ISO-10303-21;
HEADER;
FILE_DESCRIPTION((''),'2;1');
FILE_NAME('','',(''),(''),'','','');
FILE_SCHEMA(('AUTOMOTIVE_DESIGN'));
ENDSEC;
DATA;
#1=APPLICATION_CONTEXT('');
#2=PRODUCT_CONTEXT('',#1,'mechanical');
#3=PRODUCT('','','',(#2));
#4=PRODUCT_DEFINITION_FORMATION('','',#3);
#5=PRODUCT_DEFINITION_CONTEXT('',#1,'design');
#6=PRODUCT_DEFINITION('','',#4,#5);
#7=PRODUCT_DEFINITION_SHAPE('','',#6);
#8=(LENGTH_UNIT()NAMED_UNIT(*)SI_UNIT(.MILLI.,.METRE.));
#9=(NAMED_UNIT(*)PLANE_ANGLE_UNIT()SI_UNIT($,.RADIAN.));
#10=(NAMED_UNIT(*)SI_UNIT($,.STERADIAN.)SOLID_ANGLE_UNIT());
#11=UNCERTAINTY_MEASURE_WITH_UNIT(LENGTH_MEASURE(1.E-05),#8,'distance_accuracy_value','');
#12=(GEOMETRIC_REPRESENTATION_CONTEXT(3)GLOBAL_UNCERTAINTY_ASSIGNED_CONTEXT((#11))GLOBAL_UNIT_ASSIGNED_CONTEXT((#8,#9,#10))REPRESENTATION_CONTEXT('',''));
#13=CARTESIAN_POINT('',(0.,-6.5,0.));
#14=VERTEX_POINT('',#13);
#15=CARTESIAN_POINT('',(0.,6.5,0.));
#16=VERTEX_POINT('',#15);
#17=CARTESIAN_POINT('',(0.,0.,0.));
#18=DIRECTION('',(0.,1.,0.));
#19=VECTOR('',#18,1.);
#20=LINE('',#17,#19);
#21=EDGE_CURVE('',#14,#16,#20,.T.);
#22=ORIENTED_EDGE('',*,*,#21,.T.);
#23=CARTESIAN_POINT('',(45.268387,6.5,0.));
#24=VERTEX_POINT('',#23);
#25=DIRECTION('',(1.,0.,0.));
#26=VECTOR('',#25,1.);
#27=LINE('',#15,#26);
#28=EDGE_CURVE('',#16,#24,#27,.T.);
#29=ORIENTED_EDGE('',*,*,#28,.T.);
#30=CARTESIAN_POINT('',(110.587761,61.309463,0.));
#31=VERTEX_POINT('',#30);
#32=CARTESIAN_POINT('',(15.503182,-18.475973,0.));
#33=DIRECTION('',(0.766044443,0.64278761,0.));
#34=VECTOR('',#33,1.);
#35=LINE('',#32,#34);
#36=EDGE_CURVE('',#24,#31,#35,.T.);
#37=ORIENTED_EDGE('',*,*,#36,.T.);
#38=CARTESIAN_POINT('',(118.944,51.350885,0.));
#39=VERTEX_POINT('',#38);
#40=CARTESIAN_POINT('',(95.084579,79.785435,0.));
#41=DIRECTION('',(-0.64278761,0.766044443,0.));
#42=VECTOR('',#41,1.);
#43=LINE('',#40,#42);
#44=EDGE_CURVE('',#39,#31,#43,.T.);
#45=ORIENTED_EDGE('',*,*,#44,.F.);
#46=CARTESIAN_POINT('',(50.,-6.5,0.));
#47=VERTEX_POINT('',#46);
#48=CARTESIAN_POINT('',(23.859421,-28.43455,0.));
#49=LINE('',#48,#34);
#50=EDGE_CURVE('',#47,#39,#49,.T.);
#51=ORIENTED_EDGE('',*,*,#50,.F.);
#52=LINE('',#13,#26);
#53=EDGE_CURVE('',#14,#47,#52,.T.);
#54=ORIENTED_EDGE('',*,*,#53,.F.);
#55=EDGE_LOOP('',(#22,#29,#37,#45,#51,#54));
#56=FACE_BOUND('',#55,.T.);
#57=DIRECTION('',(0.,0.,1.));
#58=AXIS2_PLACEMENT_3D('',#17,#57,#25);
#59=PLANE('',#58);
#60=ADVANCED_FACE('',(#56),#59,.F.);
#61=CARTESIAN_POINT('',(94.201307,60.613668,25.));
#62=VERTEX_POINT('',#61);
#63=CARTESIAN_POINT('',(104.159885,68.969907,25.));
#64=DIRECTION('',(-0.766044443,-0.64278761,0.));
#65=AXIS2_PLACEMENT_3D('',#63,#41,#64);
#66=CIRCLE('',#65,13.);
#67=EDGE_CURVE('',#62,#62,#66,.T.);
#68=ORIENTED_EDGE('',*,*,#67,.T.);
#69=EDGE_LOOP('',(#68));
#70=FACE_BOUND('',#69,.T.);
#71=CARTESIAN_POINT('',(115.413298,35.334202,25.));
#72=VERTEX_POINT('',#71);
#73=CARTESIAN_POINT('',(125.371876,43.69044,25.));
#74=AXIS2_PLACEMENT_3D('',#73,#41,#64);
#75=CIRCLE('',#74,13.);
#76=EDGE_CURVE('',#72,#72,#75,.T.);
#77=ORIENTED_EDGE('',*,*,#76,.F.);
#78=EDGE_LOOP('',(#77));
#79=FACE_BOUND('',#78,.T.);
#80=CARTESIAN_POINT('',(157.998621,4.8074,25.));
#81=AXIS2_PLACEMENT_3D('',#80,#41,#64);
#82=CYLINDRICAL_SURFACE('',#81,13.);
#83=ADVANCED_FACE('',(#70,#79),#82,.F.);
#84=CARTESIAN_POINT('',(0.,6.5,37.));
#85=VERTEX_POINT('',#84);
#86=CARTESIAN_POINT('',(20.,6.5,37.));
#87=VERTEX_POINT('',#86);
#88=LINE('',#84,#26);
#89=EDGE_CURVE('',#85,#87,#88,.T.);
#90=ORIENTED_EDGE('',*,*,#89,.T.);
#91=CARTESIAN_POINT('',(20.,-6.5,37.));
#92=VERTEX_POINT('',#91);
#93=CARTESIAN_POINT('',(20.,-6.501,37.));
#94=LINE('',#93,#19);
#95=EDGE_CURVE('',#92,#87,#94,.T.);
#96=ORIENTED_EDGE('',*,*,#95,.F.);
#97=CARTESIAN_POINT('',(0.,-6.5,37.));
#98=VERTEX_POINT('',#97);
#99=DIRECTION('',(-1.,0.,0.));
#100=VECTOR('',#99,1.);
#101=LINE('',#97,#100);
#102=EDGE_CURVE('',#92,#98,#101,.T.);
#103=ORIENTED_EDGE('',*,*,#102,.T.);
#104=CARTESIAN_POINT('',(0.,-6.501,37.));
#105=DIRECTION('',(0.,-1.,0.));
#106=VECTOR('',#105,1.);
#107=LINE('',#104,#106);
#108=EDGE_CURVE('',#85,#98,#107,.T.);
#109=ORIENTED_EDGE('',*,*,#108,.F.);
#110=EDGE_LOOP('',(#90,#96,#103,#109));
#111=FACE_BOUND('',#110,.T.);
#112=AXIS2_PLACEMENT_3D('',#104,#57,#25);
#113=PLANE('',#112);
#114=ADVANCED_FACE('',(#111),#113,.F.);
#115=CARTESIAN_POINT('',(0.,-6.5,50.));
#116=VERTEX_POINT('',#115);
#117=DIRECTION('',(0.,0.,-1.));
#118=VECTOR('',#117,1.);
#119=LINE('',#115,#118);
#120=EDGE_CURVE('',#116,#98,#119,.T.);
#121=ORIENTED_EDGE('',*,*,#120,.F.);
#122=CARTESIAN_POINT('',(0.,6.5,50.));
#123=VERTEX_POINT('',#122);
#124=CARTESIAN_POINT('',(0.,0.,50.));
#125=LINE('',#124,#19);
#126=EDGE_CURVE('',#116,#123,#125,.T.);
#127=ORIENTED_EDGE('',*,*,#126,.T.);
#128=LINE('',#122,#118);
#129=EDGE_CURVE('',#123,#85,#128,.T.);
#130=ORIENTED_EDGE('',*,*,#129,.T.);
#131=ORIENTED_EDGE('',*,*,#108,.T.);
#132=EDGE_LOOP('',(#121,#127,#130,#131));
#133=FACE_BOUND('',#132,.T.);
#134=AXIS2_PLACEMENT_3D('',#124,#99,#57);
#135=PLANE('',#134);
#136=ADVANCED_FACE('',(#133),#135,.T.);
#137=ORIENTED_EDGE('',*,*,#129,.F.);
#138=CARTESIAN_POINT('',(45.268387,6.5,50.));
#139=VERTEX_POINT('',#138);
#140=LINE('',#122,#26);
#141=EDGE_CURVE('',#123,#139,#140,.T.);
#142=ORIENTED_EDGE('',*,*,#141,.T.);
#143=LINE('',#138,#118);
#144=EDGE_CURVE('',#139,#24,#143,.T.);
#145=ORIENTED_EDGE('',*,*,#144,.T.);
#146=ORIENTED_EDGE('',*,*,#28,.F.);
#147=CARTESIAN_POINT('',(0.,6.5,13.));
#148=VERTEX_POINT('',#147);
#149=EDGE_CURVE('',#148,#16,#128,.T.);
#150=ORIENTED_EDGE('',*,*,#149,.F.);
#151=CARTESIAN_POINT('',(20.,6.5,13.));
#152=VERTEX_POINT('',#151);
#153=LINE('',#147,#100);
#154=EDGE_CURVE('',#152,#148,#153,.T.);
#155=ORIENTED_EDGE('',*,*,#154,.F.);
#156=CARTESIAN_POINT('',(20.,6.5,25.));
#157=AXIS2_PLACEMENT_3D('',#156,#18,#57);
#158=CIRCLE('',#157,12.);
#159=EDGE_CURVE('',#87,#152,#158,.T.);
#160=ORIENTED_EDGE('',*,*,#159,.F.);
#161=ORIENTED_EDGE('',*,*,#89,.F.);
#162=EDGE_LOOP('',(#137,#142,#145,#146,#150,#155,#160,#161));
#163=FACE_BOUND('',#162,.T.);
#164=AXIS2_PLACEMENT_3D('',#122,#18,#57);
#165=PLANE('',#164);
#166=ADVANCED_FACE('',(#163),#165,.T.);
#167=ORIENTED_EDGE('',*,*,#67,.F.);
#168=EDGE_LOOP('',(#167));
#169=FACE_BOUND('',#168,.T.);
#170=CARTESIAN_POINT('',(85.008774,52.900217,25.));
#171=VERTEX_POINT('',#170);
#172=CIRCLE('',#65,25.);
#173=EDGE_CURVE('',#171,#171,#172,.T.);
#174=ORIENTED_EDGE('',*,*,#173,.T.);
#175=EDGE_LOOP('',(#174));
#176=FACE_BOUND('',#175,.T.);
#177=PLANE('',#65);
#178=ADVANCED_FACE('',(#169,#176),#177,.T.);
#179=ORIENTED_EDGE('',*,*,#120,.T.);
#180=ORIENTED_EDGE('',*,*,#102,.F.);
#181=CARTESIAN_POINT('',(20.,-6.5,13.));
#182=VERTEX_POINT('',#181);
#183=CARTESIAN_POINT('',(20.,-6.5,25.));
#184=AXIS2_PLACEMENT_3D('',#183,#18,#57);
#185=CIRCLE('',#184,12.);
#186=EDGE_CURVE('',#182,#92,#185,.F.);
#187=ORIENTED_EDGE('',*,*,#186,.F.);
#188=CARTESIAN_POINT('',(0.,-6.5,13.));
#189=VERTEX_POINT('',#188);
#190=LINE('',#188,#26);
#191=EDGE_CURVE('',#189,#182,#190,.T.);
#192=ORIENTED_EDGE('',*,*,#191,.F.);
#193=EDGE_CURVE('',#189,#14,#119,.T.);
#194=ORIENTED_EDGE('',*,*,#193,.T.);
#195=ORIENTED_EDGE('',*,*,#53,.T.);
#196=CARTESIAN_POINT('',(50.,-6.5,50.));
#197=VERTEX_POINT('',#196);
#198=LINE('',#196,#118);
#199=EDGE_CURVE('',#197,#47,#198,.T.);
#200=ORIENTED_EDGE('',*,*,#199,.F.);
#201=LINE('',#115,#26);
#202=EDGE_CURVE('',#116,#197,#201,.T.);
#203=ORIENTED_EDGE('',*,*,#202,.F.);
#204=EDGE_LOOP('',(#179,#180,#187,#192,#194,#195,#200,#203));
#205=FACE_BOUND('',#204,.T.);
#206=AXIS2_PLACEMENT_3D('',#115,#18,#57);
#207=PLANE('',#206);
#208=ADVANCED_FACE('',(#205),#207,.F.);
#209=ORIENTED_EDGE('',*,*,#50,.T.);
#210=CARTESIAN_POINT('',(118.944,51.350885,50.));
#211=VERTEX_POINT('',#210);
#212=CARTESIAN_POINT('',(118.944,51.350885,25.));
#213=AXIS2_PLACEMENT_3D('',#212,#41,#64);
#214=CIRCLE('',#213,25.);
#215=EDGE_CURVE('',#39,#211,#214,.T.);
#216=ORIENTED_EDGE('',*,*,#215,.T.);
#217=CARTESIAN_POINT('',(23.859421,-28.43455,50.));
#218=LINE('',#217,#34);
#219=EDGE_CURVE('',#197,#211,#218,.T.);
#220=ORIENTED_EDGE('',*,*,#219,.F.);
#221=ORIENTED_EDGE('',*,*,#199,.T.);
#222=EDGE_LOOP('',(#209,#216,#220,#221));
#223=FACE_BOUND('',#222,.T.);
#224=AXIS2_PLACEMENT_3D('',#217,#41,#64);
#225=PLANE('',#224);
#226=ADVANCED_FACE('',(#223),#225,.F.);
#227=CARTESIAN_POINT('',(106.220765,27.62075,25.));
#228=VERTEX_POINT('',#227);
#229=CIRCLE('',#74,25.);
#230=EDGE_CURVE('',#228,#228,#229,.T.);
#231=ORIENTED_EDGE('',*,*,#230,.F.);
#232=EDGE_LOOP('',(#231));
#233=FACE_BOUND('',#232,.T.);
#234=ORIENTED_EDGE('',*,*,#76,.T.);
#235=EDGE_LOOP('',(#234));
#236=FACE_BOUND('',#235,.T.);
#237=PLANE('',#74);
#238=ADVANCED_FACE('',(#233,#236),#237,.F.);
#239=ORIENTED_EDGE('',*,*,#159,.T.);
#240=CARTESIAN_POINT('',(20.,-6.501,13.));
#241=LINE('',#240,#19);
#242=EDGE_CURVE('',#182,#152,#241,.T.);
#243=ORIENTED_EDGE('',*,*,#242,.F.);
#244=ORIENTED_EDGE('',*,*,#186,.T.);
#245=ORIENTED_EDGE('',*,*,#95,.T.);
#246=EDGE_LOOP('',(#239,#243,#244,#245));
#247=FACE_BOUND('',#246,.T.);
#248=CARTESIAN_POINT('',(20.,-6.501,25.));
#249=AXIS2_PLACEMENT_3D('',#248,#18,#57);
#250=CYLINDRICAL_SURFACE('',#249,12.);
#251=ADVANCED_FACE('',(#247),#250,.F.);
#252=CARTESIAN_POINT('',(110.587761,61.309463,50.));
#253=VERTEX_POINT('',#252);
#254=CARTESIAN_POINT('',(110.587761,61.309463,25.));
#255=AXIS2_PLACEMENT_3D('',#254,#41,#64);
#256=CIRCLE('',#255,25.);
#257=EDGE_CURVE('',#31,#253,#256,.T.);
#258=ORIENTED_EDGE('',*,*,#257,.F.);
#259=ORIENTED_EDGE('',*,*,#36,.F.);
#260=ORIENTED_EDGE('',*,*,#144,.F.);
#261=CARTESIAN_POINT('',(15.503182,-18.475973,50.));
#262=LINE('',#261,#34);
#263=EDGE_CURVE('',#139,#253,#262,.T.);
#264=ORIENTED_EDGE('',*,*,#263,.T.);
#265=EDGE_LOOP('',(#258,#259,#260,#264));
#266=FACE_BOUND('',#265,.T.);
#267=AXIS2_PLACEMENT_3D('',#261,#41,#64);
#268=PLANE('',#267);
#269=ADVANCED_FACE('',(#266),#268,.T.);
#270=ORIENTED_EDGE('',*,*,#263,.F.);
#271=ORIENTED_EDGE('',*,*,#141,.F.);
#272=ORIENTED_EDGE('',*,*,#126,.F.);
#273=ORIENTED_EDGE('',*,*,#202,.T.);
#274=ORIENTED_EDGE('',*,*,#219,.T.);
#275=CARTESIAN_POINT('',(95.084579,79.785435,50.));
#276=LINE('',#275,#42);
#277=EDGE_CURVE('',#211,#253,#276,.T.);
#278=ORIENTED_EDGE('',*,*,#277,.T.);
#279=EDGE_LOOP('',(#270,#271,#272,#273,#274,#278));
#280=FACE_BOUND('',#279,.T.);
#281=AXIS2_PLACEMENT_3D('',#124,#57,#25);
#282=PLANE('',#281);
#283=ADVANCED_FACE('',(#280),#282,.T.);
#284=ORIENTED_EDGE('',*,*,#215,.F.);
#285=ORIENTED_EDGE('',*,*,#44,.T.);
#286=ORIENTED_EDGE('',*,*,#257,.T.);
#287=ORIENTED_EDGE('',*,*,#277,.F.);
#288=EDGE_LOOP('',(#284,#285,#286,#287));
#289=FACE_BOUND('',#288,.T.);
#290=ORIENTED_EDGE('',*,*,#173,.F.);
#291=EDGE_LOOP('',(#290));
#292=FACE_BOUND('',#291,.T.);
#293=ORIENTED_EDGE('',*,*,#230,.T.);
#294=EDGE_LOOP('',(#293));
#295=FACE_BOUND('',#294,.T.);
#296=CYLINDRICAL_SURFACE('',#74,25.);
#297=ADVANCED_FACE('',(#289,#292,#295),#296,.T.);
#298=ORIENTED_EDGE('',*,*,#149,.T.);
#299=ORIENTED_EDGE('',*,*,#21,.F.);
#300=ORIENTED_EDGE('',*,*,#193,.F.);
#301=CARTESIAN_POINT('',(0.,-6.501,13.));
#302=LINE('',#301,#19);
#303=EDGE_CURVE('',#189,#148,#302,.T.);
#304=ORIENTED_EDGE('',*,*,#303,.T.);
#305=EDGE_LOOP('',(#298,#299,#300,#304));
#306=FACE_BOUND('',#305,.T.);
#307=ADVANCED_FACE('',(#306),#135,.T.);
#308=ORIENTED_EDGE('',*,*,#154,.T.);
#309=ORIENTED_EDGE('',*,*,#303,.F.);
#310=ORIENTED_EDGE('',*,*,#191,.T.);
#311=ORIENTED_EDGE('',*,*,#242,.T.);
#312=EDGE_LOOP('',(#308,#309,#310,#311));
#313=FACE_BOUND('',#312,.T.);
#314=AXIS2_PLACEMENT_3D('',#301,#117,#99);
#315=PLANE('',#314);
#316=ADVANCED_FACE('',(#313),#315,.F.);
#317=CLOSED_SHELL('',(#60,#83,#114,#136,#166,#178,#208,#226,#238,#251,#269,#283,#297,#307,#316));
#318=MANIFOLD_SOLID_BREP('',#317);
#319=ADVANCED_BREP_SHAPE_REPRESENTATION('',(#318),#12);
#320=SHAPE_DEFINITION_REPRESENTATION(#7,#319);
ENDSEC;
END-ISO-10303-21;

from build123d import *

# Parameters (mm, degrees)
BOSS_EXTRUDE1_DEPTH      = 50
BOSS_EXTRUDE2_DEPTH      = 10
BOSS_EXTRUDE2_DEPTH_BACK = 23
SKETCH3_R                = 25
CUT_EXTRUDE1_REACH       = 173.917
SKETCH6_R                = 13
CUT_EXTRUDE2_DEPTH       = 174.304008792


with BuildPart() as part:
    # Sketch1 → Boss-Extrude1 (new body)
    with BuildSketch(Plane.XY):
        Polygon((0, 6.5), (0, 0), (47.634193477, 0), (114.765880418, 56.330173752), (110.587760955, 61.309462632), (45.268386955, 6.5), align=None)
        Polygon((47.634193477, 0), (0, 0), (0, -6.5), (50, -6.5), (118.943999881, 51.350884872), (114.765880418, 56.330173752), align=None)
    extrude(amount=BOSS_EXTRUDE1_DEPTH)

    # Sketch3 → Boss-Extrude2 (add, two sides: drawn at the far end of the back side and taken through both)
    with BuildSketch(Plane(origin=(15.50318183, -18.475972642, 0), x_dir=(0.7660444431189771, 0.6427876096865404, 0), z_dir=(-0.6427876096865404, 0.7660444431189771, 0)).offset(-BOSS_EXTRUDE2_DEPTH_BACK)):
        with Locations(Location((124.124102693, -25, 0), (0, 0, 180))):
            Circle(SKETCH3_R)
    extrude(amount=BOSS_EXTRUDE2_DEPTH + BOSS_EXTRUDE2_DEPTH_BACK)

    # Sketch5 → Cut-Extrude1 (cut, up to next)
    with BuildSketch(Plane(origin=(0, 6.5, 0), x_dir=(1, 0, 0), z_dir=(0, 1, 0)), mode=Mode.PRIVATE) as cut_extrude1_sk1:
        with BuildLine():
            Line((0, -13), (20, -13))
            ThreePointArc((20, -13), (32, -25), (20, -37))
            Line((20, -37), (0, -37))
            ThreePointArc((0, -37), (-12, -25), (0, -13))
        make_face()
    cut_extrude1_tool1 = extrude(cut_extrude1_sk1.sketch, amount=-CUT_EXTRUDE1_REACH, mode=Mode.PRIVATE) & part.part
    add(cut_extrude1_tool1.solids().sort_by_distance((10, 6.5, 25))[0], mode=Mode.SUBTRACT)

    # Sketch6 → Cut-Extrude2 (cut, through all)
    with BuildSketch(Plane(origin=(9.075305733, -10.815528211, 0), x_dir=(0.7660444431189771, 0.6427876096865404, 0), z_dir=(-0.6427876096865404, 0.7660444431189771, 0))):
        with Locations(Location((124.124102693, -25, 0), (0, 0, 180))):
            Circle(SKETCH6_R)
    extrude(amount=-CUT_EXTRUDE2_DEPTH, mode=Mode.SUBTRACT)


solid = part.part
